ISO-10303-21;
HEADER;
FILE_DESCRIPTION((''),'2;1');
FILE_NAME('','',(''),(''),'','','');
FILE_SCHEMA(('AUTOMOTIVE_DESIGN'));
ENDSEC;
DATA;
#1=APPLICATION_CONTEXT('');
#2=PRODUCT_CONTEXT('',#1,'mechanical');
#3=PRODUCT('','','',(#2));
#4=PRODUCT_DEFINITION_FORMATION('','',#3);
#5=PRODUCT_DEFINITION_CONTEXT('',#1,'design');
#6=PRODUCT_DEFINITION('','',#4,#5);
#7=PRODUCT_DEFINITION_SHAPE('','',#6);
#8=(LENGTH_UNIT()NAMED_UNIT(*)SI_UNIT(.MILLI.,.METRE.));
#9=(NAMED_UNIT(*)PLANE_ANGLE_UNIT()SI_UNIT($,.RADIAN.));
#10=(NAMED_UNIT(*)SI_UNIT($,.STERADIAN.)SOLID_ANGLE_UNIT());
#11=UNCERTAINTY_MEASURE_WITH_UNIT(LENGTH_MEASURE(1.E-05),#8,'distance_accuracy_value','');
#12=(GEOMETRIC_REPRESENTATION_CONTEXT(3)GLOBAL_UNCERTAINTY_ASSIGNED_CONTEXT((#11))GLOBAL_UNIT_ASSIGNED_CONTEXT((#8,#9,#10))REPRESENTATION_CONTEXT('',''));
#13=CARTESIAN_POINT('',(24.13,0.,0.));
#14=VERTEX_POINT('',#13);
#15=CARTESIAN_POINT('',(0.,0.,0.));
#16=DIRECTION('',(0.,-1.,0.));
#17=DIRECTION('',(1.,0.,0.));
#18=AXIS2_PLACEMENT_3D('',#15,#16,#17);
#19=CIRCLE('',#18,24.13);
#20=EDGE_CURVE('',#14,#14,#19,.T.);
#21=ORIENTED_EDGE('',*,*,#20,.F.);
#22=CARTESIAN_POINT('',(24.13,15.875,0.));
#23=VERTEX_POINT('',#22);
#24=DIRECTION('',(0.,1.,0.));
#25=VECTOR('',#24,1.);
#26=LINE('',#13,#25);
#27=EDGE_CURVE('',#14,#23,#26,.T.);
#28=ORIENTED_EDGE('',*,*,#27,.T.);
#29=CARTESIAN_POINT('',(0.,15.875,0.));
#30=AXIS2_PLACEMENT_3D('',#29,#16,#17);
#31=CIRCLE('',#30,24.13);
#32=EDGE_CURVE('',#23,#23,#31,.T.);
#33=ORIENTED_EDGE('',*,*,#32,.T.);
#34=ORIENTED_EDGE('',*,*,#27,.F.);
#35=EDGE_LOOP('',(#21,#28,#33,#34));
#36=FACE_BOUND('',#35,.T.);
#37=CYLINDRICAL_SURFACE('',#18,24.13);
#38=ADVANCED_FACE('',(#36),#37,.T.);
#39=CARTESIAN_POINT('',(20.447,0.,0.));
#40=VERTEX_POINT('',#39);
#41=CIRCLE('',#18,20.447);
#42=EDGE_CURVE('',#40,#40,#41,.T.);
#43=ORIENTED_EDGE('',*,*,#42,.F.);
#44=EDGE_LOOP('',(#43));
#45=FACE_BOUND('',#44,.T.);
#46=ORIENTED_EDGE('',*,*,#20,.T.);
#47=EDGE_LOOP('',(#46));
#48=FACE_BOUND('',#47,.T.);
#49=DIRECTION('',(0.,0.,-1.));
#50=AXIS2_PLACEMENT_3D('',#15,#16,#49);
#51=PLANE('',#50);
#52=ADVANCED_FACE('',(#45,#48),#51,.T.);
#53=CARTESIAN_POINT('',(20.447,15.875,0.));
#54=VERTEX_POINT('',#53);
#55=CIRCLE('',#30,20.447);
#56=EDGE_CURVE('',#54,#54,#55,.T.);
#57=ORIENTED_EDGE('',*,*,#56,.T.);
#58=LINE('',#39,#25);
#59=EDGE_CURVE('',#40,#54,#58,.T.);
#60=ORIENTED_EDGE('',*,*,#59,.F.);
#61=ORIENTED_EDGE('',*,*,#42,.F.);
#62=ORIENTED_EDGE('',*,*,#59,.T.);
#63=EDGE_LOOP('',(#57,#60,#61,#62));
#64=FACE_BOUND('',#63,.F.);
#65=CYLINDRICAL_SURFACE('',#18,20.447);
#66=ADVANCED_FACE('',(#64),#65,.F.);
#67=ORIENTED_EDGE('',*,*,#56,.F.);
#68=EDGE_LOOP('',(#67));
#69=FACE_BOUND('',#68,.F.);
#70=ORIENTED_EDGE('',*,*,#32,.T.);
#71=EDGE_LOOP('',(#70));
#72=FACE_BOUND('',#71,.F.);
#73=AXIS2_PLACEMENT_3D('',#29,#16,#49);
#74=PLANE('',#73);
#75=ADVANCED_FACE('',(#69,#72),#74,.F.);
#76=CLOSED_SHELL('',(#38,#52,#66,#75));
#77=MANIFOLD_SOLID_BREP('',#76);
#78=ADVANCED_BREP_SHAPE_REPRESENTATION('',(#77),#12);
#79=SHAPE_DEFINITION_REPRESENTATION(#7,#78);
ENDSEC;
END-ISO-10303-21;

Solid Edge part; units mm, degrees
sketch "Sketch1" plane through (0, 0, 0) normal (0, -1, 0) x (1, 0, 0)
  circle A0 centre (0, 0) radius 20.447
  circle A1 centre (0, 0) radius 24.13
  dimension "D1" = 48.26
  dimension "D2" = 3.683
  dimension "D3" = 81.788
extrude "Protrusion1" add sketch "Sketch1" against normal blind 15.875
